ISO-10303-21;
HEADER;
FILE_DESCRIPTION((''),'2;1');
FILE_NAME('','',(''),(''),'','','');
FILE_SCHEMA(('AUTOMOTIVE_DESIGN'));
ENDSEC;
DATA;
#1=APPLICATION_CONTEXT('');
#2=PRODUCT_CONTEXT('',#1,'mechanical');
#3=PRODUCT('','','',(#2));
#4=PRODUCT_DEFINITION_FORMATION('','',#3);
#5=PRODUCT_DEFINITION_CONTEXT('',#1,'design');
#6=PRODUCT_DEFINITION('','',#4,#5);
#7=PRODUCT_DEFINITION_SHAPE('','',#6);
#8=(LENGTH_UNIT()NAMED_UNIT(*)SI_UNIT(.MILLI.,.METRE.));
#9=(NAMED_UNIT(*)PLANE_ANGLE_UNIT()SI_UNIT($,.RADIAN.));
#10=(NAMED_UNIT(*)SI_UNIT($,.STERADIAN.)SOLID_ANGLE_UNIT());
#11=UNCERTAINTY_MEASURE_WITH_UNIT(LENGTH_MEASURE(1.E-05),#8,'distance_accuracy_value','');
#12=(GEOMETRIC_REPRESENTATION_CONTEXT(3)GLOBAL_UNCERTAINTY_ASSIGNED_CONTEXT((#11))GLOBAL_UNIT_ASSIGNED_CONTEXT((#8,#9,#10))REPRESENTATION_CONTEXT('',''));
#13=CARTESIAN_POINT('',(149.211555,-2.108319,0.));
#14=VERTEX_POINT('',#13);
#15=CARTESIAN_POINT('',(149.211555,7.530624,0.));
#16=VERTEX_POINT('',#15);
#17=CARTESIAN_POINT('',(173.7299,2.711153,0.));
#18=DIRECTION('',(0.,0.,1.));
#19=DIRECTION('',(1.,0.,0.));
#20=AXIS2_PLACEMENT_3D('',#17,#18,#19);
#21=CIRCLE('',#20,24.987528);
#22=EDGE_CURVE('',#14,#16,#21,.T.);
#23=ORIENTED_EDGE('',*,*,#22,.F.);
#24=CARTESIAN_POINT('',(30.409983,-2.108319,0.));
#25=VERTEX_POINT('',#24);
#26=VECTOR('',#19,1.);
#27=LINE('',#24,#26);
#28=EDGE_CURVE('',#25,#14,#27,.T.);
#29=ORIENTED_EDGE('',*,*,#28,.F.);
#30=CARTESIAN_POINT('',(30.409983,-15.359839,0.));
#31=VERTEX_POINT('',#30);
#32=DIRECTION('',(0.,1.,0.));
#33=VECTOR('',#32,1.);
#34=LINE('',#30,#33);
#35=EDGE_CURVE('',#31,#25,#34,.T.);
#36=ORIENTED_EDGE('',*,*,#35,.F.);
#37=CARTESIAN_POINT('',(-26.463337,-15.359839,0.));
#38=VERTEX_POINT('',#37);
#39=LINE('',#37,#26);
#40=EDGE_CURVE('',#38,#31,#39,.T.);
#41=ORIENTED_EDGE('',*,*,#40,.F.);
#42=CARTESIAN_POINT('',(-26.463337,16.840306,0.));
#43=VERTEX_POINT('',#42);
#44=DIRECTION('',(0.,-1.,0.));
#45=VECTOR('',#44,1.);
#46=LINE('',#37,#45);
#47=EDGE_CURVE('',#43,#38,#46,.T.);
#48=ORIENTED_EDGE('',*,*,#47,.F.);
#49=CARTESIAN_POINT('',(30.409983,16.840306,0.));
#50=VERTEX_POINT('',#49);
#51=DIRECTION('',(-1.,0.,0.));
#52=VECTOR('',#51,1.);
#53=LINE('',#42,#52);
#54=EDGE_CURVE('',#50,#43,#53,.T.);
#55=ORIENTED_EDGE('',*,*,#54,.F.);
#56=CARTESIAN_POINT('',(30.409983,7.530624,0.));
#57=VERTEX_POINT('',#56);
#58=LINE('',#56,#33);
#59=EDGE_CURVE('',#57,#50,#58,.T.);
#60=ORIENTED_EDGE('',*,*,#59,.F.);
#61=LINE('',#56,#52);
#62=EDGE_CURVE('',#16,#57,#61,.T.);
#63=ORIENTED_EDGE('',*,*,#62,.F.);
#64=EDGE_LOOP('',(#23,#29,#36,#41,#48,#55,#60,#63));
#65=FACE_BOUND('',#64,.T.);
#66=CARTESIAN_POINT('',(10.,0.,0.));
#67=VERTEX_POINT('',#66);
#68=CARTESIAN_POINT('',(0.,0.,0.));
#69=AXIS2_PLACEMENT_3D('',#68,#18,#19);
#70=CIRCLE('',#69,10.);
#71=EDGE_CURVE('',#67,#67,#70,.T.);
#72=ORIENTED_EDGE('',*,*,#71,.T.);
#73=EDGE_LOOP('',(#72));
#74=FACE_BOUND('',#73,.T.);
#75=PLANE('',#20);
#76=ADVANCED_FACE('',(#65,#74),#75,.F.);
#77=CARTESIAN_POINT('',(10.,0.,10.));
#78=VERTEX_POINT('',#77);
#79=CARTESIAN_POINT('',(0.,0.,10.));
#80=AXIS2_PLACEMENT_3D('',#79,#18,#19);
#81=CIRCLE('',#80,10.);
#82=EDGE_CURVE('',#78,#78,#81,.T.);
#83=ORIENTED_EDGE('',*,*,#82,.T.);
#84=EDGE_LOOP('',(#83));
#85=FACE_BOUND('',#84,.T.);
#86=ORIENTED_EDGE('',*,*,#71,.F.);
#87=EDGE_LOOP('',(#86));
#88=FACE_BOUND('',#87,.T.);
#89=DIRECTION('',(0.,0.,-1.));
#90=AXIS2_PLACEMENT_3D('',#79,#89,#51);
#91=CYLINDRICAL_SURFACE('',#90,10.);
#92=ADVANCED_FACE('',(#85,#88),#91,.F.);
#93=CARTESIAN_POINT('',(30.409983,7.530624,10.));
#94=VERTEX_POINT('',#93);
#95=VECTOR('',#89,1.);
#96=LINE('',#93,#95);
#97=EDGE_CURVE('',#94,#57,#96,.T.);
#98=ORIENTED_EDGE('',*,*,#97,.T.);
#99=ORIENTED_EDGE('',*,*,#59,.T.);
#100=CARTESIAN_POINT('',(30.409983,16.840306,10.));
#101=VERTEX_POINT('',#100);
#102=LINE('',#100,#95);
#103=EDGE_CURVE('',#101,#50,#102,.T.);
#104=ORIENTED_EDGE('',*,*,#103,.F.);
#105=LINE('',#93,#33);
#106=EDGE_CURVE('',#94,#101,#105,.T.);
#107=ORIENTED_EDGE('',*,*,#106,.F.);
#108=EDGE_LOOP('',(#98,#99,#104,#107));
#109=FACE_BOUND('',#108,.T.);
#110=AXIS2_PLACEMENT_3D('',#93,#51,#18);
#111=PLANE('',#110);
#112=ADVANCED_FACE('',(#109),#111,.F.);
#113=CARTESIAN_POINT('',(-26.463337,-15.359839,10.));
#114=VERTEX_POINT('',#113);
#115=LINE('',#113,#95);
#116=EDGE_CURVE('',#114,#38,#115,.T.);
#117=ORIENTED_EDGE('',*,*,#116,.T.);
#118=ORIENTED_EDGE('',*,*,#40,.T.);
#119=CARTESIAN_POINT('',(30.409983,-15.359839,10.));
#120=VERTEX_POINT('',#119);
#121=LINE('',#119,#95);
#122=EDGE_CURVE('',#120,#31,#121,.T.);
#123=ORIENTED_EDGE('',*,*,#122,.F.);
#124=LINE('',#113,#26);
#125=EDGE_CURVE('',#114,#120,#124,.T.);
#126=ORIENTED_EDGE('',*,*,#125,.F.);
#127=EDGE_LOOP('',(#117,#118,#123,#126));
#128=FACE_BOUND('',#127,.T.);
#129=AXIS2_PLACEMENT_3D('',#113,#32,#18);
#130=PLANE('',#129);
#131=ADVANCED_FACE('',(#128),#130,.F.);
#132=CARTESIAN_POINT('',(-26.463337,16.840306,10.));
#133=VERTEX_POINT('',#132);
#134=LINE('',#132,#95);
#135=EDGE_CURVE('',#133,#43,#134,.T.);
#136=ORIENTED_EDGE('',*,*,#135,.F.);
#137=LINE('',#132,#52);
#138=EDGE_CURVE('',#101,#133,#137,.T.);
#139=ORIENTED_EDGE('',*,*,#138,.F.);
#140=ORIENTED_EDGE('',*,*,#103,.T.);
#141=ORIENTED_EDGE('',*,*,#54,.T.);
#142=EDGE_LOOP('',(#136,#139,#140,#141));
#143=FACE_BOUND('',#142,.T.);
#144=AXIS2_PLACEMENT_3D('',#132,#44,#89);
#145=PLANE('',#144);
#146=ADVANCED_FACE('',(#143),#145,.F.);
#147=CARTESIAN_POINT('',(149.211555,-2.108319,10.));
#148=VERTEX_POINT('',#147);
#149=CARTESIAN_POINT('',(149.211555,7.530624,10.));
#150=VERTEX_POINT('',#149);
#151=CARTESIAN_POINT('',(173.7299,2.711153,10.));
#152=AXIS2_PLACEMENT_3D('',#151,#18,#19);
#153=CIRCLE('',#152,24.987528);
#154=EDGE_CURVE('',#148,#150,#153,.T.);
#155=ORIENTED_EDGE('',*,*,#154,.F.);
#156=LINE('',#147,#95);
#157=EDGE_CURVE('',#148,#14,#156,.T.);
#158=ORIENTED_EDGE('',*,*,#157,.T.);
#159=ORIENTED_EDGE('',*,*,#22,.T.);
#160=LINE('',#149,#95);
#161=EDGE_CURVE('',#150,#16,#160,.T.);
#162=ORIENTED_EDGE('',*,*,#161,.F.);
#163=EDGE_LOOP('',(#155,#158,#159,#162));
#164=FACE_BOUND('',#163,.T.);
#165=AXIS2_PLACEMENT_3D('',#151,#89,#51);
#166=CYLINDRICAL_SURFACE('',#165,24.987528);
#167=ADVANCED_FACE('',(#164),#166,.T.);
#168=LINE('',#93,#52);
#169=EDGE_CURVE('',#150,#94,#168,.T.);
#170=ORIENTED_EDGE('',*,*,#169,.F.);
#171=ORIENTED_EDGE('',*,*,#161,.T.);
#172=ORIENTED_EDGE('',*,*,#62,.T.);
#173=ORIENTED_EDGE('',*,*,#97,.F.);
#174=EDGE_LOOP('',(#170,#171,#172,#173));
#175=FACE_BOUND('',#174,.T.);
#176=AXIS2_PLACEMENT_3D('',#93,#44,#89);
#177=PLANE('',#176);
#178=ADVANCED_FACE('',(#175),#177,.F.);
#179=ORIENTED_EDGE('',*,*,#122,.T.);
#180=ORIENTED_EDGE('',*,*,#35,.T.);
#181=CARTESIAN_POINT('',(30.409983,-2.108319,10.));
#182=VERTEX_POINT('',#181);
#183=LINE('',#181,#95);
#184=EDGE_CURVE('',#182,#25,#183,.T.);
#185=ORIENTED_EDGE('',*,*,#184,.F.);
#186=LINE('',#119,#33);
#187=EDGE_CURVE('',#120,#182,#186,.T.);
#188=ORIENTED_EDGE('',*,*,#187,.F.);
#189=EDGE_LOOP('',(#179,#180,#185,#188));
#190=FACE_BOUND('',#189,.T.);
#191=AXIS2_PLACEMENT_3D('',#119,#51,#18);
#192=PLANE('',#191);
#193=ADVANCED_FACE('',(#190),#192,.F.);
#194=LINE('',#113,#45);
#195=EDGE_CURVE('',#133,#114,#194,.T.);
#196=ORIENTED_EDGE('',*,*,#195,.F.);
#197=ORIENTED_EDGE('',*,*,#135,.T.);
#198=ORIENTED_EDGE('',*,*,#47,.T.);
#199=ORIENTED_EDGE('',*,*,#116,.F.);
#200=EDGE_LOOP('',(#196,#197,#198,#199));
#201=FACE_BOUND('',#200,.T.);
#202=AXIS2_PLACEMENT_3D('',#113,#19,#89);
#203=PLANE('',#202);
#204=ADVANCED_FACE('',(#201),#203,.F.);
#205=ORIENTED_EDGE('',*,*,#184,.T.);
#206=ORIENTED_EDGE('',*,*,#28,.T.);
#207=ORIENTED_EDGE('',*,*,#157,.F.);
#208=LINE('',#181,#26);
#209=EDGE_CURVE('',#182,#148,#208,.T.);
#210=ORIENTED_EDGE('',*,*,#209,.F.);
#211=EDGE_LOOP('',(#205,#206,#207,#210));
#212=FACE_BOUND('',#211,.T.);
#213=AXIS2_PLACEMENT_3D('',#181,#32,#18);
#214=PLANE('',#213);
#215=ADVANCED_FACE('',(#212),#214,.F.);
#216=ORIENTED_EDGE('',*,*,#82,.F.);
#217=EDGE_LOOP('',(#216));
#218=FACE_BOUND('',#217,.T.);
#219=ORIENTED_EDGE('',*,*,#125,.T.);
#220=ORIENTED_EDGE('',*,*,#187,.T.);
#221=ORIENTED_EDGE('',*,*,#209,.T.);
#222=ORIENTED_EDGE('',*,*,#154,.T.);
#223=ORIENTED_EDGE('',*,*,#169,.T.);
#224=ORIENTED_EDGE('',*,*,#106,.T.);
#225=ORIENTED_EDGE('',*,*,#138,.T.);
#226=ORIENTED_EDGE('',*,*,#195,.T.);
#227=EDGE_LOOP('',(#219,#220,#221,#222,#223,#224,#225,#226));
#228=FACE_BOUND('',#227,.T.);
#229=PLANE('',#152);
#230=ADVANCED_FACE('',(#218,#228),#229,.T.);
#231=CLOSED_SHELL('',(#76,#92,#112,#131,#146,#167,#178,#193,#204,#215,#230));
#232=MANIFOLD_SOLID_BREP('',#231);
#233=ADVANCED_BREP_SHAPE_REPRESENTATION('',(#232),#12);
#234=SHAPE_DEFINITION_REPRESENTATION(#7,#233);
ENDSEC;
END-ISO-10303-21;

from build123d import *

# Parameters (mm, degrees)
SKETCH1_R           = 10
BOSS_EXTRUDE1_DEPTH = 10


with BuildPart() as part:
    # Sketch1 → Boss-Extrude1 (new body)
    with BuildSketch(Plane.XY):
        with BuildLine():
            Line((30.40998342, 7.530623632), (30.40998342, 16.840305532))
            Line((30.40998342, 16.840305532), (-26.463337265, 16.840305532))
            Line((-26.463337265, 16.840305532), (-26.463337265, -15.359839112))
            Line((-26.463337265, -15.359839112), (30.40998342, -15.359839112))
            Line((30.40998342, -15.359839112), (30.40998342, -2.10831855))
            Line((30.40998342, -2.10831855), (149.211555262, -2.10831855))
            ThreePointArc((149.211555262, -2.10831855), (198.71742784, 2.711152541), (149.211555262, 7.530623632))
            Line((149.211555262, 7.530623632), (30.40998342, 7.530623632))
        make_face()
        Circle(SKETCH1_R, mode=Mode.SUBTRACT)
    extrude(amount=BOSS_EXTRUDE1_DEPTH)


solid = part.part
